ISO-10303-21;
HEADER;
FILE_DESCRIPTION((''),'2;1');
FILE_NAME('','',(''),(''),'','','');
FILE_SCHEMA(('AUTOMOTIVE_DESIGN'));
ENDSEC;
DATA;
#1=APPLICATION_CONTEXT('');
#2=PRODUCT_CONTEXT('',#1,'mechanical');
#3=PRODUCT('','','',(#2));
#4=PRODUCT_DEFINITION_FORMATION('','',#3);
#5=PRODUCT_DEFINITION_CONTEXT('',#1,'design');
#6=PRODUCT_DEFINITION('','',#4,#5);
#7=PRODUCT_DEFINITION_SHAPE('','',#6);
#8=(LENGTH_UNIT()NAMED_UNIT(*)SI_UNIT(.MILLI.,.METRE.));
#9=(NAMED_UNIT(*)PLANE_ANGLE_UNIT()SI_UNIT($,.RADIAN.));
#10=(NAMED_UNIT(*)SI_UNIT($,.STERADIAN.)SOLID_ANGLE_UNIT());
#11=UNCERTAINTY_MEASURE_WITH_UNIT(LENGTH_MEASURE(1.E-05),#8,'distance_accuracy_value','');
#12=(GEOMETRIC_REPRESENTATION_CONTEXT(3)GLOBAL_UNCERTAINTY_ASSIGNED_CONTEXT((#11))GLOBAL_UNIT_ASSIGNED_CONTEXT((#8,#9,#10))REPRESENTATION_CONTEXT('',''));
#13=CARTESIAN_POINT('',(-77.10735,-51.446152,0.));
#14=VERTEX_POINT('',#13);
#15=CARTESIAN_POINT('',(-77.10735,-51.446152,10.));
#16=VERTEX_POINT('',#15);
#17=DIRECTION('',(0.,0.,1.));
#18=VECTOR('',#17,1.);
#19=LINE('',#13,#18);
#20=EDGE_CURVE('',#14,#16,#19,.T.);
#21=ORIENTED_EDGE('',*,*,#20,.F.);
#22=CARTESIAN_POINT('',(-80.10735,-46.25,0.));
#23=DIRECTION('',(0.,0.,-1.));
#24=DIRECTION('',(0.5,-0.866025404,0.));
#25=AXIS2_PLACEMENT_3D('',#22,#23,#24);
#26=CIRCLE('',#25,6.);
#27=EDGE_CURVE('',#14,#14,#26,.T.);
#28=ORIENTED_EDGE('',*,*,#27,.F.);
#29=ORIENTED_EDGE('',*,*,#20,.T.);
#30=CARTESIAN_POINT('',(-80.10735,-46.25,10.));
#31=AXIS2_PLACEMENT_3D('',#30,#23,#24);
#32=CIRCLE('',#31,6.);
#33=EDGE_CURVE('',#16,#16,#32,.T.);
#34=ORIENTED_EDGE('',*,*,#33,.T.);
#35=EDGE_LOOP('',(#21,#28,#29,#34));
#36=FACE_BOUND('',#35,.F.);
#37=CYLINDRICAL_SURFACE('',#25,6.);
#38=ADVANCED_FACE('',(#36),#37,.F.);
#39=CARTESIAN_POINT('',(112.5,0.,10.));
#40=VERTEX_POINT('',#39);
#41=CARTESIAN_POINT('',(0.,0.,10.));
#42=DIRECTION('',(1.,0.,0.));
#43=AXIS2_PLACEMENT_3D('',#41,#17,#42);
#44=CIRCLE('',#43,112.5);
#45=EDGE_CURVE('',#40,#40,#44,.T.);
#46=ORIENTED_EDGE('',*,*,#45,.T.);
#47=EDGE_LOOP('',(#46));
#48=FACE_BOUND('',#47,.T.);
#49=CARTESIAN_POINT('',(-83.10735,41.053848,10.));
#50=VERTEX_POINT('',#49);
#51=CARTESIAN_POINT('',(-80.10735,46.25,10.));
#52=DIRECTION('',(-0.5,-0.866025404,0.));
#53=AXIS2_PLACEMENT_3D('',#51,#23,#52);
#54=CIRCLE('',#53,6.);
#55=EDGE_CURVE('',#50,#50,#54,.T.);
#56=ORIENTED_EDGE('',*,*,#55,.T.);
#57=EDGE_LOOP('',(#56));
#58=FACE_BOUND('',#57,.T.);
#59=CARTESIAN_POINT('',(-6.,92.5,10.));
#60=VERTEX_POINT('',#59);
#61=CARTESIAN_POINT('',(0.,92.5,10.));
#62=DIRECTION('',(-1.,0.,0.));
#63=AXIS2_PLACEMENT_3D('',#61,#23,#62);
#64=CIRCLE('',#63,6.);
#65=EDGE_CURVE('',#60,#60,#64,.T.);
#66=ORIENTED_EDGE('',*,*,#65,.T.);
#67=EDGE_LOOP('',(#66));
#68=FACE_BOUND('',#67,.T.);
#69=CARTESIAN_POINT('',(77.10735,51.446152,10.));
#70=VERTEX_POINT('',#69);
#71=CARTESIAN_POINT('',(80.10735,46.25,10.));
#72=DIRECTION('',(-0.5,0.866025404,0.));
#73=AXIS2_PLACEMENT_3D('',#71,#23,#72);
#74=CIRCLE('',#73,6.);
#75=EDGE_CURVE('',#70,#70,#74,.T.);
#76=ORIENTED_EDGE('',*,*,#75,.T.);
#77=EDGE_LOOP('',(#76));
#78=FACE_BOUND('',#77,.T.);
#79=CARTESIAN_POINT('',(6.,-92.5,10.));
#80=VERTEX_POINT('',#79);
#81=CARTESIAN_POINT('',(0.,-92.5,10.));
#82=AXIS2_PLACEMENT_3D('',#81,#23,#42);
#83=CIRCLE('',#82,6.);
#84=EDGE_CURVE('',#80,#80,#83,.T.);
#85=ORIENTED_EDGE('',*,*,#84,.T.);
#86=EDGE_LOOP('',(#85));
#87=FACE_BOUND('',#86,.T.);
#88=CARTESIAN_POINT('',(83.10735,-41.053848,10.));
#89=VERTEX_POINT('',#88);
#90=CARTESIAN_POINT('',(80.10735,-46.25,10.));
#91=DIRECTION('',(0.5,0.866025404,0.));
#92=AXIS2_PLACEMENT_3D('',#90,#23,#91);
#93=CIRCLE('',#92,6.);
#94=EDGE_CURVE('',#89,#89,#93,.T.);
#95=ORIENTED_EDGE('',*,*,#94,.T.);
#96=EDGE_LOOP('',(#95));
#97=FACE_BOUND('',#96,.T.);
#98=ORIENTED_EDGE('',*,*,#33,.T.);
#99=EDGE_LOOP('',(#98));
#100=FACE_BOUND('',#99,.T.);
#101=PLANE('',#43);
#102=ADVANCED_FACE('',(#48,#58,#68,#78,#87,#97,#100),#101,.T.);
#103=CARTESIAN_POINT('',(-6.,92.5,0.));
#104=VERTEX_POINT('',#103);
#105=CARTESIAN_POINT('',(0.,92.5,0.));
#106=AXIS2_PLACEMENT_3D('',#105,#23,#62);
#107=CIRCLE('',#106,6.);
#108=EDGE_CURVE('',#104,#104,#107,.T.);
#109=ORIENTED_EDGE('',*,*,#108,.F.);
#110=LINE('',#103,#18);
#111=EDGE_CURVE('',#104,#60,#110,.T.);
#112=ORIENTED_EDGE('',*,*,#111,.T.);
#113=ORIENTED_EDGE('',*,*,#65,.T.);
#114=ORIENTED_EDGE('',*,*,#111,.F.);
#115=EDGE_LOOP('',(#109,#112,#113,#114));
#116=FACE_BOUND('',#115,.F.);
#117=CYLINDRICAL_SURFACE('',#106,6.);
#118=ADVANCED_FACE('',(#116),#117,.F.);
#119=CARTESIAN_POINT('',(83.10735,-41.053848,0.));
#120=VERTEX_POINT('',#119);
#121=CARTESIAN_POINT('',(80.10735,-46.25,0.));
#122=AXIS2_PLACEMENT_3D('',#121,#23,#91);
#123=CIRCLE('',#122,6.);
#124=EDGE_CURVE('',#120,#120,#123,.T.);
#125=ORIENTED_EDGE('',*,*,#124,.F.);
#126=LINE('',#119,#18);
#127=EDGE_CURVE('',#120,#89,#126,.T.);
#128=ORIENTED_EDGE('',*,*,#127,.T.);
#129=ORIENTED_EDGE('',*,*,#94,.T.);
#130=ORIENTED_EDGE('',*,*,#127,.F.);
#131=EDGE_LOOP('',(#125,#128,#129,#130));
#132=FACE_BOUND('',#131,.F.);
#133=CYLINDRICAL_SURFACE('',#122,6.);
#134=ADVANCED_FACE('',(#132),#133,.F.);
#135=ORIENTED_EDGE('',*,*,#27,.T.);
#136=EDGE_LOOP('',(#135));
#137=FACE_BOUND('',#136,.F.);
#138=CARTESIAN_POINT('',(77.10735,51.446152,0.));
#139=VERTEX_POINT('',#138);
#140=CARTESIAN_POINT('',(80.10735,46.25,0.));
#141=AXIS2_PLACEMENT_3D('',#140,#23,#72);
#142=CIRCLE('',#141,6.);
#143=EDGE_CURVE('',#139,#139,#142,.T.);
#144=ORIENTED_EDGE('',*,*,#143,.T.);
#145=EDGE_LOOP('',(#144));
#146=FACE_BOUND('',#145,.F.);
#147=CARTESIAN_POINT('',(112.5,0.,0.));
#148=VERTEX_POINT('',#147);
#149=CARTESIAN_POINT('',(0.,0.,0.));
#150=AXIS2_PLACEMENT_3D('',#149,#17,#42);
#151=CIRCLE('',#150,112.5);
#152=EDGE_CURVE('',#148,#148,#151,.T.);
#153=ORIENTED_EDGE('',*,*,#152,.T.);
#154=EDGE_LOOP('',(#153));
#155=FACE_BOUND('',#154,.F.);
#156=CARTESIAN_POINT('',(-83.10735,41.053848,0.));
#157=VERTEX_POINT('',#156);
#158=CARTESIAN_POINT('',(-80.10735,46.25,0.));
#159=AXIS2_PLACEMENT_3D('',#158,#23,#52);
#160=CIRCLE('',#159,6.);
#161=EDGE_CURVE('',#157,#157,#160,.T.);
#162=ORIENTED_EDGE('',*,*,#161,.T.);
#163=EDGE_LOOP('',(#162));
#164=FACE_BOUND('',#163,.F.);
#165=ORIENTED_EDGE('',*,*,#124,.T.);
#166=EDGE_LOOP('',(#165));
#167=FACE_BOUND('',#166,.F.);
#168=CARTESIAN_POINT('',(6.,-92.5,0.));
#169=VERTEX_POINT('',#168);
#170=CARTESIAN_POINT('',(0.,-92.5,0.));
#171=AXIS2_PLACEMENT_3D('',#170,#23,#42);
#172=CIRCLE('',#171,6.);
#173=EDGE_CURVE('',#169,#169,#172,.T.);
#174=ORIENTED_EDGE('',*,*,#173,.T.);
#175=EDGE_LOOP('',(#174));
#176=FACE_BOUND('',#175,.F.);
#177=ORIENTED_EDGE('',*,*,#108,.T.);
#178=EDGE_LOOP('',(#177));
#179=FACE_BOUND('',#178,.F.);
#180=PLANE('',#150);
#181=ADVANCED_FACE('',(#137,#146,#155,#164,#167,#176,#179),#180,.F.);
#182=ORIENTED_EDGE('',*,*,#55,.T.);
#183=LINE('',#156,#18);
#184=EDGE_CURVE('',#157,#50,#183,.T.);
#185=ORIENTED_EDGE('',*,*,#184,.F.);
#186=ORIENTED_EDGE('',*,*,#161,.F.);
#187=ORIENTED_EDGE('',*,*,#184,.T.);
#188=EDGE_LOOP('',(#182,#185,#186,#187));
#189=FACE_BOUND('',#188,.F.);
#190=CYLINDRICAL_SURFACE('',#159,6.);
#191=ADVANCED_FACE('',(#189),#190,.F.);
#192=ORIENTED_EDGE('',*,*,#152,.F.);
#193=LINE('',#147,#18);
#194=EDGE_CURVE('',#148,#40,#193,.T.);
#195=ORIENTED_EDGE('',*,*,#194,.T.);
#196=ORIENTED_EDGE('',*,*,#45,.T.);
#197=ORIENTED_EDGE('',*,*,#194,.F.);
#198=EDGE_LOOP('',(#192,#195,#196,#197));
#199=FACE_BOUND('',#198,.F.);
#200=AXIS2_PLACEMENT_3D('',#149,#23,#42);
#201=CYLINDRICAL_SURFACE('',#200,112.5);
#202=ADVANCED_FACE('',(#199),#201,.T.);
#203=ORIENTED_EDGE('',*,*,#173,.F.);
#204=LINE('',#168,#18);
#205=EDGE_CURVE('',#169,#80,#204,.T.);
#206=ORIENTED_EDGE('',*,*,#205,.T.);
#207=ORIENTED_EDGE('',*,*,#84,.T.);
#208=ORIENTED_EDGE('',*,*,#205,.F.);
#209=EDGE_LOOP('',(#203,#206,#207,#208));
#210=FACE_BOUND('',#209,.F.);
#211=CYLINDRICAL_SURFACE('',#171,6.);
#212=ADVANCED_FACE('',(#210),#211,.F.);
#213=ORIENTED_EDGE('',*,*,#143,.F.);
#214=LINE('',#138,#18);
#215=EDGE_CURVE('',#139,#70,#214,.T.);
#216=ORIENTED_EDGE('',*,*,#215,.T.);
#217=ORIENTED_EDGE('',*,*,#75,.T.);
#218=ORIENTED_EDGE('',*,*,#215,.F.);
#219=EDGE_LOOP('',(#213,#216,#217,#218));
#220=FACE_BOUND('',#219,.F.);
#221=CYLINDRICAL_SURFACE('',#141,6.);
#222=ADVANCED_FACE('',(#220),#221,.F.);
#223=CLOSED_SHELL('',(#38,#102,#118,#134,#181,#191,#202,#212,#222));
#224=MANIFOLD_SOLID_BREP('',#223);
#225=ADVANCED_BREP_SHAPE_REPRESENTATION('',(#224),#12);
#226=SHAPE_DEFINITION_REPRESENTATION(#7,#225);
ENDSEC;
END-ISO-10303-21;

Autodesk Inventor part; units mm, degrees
ref_plane "YZ Plane" through (0, 0, 0) normal (1, 0, 0) x (0, 1, 0)
ref_plane "XZ Plane" through (0, 0, 0) normal (0, 1, 0) x (-1, 0, 0)
ref_plane "XY Plane" through (0, 0, 0) normal (0, 0, 1) x (1, 0, 0)
sketch "Sketch6" plane through (0, 0, 0) normal (0, 0, 1) x (1, 0, 0)
  circle A0 centre (0, 0) radius 72.5
  circle A1 centre (0, 0) radius 112.5
  dimension "d46" = 145
  dimension "d47" = 225
extrude "Plate1" add sketch "Sketch6" along normal blind 10 contours A0 | A1
sketch "Sketch8" plane through (0, 0, 0) normal (0, 0, -1) x (-1, 0, 0)
  circle A0 centre (0, 92.5) radius 6
  circle A1 centre (0, 0) radius 92.5 construction
  dimension "d51" = 185
  dimension "d50" = 12
extrude "Extrusion6" cut sketch "Sketch8" along normal through all both and the other way through all
pattern_circular "Circular Pattern3" count 6 over 360 about axis through (0, 0, 0) along (0, 0, 1) of "Extrusion6"
equation "\"d47\" = back_steel_circle_диам_центров + back_steel_circle_ширина_кольца"
equation "\"d51\" = back_steel_circle_диам_центров"
equation "\"d45\" = Thickness"
equation "\"BendReliefDepth\" = 0.5 * Thickness"
equation "\"back_steel_circle_диам_центров\" = 185"
equation "\"back_steel_circle_ширина_кольца\" = 40"
equation "\"Thickness\" = 10"
properties part number "NVPH-306 revision cup"
